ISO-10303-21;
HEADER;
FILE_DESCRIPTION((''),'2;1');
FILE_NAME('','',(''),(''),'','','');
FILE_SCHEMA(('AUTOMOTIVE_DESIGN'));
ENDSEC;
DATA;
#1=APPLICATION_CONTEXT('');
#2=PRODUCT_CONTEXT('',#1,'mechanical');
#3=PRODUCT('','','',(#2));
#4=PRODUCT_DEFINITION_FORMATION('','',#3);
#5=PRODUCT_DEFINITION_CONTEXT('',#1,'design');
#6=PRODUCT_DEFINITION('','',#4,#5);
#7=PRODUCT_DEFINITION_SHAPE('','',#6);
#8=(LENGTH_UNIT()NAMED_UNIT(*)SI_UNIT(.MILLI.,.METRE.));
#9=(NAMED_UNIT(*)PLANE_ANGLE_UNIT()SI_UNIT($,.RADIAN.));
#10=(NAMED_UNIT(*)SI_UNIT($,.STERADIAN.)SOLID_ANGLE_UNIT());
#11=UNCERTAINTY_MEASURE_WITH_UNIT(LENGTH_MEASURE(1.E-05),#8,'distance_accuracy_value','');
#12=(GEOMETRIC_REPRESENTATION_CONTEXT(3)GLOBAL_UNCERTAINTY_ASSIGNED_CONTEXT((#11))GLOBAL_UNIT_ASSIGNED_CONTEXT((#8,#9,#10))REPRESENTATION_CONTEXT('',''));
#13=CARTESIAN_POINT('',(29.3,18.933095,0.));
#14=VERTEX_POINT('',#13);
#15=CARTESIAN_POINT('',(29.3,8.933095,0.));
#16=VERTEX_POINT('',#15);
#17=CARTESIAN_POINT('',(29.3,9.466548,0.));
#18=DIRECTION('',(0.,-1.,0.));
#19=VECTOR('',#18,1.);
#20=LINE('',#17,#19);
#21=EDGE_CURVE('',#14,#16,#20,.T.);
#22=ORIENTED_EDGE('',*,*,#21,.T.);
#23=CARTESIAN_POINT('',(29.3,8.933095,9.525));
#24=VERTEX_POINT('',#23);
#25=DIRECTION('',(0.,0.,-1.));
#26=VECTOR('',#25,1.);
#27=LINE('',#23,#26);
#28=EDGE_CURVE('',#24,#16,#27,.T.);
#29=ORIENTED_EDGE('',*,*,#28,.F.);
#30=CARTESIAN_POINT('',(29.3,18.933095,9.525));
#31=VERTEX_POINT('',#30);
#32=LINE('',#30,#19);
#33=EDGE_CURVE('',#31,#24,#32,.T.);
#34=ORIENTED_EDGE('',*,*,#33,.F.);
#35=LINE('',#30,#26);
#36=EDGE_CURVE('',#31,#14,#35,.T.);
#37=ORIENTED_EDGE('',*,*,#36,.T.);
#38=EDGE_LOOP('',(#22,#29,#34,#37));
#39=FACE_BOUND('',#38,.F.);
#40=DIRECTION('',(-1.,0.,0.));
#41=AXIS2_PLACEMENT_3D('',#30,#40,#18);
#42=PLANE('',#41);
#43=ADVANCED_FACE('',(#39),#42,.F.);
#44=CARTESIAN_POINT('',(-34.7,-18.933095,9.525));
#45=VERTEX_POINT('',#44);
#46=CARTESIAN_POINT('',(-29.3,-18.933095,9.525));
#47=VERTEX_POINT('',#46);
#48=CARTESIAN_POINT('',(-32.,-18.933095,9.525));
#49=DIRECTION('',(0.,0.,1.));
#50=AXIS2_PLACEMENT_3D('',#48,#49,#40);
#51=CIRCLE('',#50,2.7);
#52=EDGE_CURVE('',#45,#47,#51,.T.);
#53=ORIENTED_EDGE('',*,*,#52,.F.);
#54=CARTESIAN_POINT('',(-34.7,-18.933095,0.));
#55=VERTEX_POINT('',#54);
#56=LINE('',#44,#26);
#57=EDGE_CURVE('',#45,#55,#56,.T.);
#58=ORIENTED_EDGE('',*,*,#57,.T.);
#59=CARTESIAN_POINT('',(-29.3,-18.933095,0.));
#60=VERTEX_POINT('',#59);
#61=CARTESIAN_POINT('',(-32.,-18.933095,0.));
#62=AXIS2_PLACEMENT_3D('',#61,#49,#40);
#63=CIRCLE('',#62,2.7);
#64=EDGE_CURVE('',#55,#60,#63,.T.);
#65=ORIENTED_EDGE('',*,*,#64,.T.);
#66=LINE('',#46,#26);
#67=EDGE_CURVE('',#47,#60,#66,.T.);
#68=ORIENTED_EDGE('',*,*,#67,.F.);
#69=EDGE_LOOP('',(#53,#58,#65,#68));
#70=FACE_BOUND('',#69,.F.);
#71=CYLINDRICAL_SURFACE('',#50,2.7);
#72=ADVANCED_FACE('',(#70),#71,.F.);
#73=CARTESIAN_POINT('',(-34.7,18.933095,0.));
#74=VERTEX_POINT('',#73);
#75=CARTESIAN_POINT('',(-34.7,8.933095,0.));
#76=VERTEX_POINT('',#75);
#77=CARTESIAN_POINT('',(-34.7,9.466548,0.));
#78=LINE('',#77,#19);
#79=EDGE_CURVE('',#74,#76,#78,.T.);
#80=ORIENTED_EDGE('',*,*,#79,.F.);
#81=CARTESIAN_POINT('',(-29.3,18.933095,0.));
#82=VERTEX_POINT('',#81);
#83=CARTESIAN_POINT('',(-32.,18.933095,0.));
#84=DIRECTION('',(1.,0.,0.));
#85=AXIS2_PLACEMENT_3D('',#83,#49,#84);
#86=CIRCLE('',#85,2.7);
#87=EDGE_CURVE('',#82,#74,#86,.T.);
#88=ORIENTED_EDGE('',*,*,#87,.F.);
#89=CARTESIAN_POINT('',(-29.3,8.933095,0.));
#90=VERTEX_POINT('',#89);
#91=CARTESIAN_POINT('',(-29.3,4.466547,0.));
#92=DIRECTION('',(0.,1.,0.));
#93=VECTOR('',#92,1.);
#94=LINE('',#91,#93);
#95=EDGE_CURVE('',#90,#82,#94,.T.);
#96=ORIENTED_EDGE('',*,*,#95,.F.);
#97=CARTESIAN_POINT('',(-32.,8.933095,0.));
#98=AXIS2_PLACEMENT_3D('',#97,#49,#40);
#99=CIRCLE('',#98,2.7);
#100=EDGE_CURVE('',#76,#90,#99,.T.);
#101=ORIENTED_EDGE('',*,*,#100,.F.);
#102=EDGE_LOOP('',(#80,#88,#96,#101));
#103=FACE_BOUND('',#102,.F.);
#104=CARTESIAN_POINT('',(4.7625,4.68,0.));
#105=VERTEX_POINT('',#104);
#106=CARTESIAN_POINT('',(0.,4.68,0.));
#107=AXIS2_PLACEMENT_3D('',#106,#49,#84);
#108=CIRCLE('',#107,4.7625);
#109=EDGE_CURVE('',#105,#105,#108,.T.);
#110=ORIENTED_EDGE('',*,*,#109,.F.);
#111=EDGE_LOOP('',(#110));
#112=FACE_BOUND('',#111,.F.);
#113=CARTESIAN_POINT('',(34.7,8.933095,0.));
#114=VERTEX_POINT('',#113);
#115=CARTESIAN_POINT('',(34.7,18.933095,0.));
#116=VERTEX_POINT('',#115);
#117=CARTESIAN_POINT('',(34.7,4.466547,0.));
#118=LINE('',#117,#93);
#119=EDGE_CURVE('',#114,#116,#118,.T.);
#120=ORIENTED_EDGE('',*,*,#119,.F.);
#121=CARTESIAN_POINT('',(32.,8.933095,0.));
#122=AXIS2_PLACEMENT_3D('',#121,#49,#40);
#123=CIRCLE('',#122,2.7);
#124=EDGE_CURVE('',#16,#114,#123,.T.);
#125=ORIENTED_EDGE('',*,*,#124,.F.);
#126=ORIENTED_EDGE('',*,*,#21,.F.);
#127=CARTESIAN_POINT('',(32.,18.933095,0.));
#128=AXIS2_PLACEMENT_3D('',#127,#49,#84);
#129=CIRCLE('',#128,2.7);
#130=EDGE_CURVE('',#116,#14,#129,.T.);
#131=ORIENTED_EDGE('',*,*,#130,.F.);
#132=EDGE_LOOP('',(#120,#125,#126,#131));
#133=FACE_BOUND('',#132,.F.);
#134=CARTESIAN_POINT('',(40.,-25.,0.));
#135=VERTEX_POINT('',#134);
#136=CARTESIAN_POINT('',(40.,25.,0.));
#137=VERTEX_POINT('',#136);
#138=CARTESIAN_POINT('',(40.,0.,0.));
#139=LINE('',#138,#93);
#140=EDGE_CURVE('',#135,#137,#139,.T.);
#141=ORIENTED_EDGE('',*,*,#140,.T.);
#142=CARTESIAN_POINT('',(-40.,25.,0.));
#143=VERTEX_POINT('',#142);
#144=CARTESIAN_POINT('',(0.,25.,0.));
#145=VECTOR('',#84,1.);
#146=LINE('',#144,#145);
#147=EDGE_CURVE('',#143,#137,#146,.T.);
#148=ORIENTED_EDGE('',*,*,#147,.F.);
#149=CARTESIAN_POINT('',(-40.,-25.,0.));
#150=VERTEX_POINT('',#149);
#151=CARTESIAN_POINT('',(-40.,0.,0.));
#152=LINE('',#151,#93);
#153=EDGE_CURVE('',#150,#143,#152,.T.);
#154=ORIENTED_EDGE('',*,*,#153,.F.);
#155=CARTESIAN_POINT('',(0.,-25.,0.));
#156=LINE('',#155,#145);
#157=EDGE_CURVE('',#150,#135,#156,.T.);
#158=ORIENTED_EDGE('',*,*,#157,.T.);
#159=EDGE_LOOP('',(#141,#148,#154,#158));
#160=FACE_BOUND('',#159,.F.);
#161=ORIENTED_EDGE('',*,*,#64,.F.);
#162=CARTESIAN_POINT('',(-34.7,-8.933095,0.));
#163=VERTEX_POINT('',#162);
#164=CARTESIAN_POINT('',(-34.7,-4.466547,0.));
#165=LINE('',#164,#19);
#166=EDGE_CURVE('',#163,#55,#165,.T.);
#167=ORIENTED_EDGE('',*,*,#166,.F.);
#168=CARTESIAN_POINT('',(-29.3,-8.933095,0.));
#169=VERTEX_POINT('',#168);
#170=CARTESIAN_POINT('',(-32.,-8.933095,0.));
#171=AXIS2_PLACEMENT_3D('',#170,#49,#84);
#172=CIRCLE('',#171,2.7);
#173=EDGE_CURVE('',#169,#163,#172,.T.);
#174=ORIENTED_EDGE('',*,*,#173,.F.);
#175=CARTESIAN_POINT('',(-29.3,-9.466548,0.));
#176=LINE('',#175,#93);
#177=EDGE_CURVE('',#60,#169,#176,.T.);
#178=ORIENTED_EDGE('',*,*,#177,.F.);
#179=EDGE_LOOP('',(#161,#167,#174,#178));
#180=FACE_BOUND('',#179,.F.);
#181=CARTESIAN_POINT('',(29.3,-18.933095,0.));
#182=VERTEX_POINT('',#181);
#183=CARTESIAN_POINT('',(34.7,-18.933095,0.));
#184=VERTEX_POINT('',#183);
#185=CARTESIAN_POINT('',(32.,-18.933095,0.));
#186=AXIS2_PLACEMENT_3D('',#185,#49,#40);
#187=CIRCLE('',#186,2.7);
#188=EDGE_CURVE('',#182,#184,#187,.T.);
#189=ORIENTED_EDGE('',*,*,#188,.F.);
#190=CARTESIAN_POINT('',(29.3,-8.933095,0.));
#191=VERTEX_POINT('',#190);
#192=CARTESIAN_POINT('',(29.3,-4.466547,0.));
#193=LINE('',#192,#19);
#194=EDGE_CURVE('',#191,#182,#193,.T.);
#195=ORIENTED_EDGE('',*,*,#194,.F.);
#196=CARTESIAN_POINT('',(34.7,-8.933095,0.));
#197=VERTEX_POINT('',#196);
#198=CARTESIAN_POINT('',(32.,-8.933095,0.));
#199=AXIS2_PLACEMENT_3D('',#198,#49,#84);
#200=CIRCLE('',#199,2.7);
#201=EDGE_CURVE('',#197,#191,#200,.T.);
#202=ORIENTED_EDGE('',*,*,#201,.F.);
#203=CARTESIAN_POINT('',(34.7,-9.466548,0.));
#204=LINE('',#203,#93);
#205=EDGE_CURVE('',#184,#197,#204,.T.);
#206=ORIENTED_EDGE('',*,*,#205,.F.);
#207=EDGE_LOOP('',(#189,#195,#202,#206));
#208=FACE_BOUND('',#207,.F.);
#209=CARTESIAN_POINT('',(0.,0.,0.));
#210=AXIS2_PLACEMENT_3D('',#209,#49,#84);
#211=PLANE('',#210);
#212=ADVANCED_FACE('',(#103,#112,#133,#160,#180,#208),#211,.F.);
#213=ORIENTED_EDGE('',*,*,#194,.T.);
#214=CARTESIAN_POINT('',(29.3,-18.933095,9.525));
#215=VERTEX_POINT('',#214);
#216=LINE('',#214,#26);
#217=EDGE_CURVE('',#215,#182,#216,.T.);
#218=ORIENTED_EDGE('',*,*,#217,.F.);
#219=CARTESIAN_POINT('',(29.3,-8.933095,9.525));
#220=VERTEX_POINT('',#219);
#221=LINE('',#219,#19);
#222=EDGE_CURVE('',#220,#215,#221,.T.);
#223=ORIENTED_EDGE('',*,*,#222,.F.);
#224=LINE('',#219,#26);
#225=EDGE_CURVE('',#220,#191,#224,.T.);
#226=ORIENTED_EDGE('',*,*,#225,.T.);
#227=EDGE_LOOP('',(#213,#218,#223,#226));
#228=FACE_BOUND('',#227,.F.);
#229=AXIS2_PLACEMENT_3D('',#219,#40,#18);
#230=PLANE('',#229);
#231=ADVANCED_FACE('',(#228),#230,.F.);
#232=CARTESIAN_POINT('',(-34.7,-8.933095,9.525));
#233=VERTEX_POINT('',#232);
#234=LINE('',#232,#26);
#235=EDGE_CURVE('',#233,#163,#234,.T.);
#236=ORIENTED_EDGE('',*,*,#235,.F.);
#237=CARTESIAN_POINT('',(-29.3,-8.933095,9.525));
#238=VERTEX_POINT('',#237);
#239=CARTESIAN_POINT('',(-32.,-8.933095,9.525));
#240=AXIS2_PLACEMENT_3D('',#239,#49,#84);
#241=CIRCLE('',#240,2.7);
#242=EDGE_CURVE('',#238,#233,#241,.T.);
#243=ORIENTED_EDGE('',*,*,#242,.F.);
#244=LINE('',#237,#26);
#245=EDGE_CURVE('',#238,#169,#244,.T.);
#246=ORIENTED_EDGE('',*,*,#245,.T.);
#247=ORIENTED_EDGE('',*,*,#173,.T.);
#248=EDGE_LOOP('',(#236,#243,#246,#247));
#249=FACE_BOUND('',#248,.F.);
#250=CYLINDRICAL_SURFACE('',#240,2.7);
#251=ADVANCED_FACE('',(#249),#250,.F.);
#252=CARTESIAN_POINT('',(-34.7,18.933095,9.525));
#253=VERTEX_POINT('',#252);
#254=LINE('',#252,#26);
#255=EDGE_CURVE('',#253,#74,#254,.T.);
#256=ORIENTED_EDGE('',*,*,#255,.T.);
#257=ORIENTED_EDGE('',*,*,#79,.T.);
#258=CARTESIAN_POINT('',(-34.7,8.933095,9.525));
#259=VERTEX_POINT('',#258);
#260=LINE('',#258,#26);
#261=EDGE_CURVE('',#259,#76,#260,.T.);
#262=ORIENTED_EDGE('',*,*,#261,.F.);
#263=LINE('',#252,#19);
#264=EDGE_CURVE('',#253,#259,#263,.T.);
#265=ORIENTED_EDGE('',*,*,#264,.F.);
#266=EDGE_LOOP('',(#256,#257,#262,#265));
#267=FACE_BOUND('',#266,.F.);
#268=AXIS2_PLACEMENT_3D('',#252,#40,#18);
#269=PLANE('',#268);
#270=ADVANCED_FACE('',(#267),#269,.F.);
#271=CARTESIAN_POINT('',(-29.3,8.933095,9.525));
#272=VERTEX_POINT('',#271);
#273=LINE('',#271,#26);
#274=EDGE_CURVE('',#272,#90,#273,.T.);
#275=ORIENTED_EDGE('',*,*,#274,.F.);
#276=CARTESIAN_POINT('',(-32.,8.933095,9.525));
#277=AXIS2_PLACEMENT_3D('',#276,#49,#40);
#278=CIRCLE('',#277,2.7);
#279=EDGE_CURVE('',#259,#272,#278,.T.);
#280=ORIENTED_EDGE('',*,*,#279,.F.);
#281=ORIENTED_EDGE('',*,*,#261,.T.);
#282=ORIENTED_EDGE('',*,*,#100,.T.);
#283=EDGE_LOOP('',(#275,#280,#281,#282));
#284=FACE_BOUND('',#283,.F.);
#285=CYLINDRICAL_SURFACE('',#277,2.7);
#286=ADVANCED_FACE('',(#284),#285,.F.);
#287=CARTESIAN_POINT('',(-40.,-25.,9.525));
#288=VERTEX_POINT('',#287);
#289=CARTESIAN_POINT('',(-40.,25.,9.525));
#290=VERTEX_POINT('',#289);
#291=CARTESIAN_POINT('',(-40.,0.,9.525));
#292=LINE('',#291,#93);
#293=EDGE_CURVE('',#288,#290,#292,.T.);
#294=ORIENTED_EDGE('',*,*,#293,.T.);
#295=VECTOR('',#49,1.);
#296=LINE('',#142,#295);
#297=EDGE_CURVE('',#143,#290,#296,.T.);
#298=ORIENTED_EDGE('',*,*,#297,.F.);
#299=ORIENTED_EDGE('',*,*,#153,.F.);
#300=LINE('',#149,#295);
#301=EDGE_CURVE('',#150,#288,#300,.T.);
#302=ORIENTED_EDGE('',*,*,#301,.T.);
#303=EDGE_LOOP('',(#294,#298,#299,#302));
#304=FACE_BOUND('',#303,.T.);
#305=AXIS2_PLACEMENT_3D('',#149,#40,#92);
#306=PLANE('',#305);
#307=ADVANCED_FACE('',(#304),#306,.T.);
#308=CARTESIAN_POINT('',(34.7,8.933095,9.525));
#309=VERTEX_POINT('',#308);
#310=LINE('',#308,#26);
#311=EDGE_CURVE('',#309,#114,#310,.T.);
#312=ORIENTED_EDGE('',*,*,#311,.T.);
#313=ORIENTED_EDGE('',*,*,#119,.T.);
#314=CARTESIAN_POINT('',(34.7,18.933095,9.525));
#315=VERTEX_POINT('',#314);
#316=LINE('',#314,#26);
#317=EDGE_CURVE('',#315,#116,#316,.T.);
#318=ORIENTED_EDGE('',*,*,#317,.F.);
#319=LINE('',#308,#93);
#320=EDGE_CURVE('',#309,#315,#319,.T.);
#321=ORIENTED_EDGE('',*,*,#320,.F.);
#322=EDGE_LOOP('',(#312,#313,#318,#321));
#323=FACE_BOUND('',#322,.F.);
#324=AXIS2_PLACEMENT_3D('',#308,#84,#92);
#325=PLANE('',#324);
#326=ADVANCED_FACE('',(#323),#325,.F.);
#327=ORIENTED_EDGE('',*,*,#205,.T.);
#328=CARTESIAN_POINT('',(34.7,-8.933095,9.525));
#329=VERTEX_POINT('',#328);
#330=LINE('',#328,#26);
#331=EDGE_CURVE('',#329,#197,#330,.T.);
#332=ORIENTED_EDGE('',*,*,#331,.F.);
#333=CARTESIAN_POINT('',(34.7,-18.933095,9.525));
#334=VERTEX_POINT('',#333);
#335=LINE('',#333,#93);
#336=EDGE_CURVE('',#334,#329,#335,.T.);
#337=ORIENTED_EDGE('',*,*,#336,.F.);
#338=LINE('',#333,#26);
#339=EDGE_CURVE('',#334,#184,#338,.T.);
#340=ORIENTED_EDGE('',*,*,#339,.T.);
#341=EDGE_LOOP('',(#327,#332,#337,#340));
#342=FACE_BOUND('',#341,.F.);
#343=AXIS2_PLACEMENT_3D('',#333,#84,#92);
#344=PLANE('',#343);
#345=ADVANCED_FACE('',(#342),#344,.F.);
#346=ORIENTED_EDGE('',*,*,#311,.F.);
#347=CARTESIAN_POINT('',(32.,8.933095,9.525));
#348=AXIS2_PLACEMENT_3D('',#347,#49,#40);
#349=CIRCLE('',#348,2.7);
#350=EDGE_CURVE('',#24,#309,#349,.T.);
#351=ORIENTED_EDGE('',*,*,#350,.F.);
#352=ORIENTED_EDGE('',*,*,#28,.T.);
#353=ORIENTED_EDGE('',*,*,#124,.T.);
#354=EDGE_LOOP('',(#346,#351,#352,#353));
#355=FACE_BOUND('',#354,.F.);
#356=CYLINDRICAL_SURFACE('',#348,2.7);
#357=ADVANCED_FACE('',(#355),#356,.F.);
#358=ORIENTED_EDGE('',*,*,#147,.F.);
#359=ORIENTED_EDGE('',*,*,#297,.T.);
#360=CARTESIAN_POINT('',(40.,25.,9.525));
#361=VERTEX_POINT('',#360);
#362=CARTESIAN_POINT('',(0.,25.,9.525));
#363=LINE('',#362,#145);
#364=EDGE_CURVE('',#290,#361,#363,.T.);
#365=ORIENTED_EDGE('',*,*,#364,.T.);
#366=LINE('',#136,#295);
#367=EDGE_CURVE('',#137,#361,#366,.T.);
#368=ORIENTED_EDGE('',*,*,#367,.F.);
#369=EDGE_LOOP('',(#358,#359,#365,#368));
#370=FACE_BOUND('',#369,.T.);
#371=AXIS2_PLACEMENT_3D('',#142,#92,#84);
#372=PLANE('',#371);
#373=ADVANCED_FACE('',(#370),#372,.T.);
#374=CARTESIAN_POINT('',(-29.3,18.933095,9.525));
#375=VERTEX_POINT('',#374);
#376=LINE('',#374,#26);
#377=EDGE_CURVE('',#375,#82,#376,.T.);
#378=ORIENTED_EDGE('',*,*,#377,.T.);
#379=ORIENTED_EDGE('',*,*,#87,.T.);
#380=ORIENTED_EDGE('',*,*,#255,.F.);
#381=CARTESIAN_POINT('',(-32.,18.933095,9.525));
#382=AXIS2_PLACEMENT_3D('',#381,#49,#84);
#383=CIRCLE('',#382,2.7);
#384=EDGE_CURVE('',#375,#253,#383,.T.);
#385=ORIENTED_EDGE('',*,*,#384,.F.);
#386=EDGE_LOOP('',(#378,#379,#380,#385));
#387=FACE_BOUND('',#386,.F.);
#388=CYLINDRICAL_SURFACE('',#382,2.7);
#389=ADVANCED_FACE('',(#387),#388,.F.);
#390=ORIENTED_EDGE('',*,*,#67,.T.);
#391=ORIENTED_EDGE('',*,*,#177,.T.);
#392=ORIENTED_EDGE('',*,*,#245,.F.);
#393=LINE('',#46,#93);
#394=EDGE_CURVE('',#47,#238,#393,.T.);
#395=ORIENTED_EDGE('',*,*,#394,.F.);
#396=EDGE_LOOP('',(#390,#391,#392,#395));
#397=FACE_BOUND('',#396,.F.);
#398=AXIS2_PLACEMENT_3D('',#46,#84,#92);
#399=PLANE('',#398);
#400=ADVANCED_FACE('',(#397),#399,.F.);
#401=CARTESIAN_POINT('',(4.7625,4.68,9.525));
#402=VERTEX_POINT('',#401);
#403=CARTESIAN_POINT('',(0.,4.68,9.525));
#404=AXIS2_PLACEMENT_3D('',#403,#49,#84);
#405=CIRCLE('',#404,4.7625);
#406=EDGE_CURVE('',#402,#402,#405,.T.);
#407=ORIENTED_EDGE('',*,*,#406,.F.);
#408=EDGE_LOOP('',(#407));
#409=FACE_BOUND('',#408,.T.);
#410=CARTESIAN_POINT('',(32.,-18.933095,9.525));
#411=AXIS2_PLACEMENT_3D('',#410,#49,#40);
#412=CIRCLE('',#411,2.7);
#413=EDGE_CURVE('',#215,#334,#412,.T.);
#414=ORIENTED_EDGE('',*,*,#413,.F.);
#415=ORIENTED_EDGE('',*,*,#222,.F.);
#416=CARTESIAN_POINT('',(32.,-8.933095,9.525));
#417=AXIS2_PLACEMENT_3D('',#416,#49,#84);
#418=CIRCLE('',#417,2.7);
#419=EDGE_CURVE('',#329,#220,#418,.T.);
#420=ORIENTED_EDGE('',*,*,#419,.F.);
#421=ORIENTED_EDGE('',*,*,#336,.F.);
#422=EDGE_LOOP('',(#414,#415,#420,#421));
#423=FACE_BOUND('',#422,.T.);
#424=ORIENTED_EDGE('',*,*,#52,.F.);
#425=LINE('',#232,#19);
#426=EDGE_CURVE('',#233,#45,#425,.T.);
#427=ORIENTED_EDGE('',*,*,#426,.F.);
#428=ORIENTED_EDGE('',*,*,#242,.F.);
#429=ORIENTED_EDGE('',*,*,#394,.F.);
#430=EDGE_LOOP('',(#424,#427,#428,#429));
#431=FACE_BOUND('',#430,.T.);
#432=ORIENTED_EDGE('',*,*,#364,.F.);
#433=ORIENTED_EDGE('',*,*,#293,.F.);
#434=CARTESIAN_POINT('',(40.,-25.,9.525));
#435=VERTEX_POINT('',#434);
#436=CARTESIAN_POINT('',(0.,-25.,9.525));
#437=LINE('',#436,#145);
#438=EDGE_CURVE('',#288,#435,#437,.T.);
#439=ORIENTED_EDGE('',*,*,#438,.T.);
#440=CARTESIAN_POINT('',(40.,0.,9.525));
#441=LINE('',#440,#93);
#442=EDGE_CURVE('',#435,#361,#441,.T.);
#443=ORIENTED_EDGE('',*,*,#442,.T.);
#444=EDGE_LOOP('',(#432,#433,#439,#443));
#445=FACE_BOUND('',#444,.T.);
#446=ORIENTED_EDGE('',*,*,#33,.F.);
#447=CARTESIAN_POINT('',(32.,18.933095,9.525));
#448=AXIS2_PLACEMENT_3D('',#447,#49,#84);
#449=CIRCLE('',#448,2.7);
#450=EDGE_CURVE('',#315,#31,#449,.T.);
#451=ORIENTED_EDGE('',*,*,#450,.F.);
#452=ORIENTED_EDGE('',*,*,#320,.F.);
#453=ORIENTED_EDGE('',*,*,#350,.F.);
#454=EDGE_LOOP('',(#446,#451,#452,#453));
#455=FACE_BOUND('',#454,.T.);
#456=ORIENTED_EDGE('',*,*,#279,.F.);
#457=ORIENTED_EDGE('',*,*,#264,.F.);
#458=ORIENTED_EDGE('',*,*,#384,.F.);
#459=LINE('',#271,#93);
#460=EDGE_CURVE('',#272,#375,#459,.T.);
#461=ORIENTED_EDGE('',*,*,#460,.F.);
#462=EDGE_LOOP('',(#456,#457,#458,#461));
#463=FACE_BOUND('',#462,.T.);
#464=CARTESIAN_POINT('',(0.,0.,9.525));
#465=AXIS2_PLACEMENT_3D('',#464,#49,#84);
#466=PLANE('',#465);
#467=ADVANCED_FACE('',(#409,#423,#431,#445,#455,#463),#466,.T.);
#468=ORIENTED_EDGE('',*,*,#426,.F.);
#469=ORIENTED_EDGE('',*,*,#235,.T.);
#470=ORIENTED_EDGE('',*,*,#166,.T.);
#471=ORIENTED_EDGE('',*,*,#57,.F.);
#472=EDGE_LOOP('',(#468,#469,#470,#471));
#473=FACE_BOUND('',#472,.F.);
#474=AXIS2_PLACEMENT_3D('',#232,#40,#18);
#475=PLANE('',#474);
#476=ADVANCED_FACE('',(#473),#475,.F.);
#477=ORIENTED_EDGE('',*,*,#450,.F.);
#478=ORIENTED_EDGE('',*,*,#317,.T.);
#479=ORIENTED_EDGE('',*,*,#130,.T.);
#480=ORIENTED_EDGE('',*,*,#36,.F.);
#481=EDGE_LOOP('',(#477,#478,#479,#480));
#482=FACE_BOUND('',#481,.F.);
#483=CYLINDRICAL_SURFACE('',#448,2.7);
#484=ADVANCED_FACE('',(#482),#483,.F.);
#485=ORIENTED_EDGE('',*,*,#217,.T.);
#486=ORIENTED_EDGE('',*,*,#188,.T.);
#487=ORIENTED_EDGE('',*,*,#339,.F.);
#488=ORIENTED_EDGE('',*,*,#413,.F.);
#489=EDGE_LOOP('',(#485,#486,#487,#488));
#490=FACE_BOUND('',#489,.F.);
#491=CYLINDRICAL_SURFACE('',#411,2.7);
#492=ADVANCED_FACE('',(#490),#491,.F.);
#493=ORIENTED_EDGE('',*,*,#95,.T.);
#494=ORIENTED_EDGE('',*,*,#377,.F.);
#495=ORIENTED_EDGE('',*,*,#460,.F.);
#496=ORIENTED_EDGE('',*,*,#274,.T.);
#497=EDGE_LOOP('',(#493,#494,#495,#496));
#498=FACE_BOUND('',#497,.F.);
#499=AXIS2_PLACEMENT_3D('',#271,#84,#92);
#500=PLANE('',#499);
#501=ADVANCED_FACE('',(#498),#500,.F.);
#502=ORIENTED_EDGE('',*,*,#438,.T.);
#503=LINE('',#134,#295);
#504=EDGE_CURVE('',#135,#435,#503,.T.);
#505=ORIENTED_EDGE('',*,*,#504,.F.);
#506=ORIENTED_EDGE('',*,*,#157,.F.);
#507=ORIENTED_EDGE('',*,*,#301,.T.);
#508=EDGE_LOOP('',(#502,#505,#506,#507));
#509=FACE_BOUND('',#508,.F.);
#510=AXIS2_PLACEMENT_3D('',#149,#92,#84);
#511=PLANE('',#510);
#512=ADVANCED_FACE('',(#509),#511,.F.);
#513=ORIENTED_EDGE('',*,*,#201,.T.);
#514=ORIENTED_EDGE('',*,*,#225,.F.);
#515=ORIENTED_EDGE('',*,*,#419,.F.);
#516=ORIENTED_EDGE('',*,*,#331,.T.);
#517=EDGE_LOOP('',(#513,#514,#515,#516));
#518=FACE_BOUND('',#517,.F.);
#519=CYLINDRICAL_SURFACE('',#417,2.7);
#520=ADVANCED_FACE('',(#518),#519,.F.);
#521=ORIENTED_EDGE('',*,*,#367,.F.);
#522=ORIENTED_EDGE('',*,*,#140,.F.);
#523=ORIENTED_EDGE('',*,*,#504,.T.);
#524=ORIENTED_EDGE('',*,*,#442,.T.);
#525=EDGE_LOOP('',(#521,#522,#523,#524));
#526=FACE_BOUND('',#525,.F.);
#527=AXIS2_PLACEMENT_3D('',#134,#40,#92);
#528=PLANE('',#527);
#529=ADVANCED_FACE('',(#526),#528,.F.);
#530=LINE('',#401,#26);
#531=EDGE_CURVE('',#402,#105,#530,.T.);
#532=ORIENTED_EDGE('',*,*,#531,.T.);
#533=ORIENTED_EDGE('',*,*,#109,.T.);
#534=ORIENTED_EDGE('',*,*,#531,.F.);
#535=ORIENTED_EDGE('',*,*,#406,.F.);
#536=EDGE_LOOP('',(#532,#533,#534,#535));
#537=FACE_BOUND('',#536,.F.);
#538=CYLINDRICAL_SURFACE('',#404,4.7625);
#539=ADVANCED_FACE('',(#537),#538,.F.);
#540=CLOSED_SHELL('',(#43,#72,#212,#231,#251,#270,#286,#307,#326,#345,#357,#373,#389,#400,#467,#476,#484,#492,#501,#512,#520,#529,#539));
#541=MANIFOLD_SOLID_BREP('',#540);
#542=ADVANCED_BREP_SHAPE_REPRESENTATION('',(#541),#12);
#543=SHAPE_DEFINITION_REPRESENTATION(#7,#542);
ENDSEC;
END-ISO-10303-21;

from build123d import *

# Parameters (mm, degrees)
F0_W     = 80
F0_H     = 50
F1_DEPTH = 9.525
F3_DEPTH = 25
F4_R     = 4.7625
F5_DEPTH = 9.526


with BuildPart() as f1:
    # F0 (on Top) → F1 (new body)
    with BuildSketch(Plane.XY):
        Rectangle(F0_W, F0_H)
    extrude(amount=F1_DEPTH)

    # F2 (on face) → F3 (cut)
    with BuildSketch(Plane.XY.offset(9.525)):
        with BuildLine():
            ThreePointArc((-29.3, 18.933095), (-32, 21.633095), (-34.7, 18.933095))
            Line((-34.7, 18.933095), (-34.7, 8.933095))
            ThreePointArc((-34.7, 8.933095), (-32, 6.233095), (-29.3, 8.933095))
            Line((-29.3, 8.933095), (-29.3, 18.933095))
        make_face()
        with BuildLine():
            ThreePointArc((-34.7, -18.933095), (-32, -21.633095), (-29.3, -18.933095))
            Line((-29.3, -18.933095), (-29.3, -8.933095))
            ThreePointArc((-29.3, -8.933095), (-32, -6.233095), (-34.7, -8.933095))
            Line((-34.7, -8.933095), (-34.7, -18.933095))
        make_face()
        with BuildLine():
            ThreePointArc((29.3, -18.933095), (32, -21.633095), (34.7, -18.933095))
            Line((34.7, -18.933095), (34.7, -8.933095))
            ThreePointArc((34.7, -8.933095), (32, -6.233095), (29.3, -8.933095))
            Line((29.3, -8.933095), (29.3, -18.933095))
        make_face()
        with BuildLine():
            ThreePointArc((34.7, 18.933095), (32, 21.633095), (29.3, 18.933095))
            Line((29.3, 18.933095), (29.3, 8.933095))
            ThreePointArc((29.3, 8.933095), (32, 6.233095), (34.7, 8.933095))
            Line((34.7, 8.933095), (34.7, 18.933095))
        make_face()
    extrude(amount=-F3_DEPTH, mode=Mode.SUBTRACT)

    # F4 (on face) → F5 (cut, through all)
    with BuildSketch(Plane.XY.offset(9.525)):
        with Locations((0, 4.68)):
            Circle(F4_R)
    extrude(amount=-F5_DEPTH, mode=Mode.SUBTRACT)


solid = f1.part
